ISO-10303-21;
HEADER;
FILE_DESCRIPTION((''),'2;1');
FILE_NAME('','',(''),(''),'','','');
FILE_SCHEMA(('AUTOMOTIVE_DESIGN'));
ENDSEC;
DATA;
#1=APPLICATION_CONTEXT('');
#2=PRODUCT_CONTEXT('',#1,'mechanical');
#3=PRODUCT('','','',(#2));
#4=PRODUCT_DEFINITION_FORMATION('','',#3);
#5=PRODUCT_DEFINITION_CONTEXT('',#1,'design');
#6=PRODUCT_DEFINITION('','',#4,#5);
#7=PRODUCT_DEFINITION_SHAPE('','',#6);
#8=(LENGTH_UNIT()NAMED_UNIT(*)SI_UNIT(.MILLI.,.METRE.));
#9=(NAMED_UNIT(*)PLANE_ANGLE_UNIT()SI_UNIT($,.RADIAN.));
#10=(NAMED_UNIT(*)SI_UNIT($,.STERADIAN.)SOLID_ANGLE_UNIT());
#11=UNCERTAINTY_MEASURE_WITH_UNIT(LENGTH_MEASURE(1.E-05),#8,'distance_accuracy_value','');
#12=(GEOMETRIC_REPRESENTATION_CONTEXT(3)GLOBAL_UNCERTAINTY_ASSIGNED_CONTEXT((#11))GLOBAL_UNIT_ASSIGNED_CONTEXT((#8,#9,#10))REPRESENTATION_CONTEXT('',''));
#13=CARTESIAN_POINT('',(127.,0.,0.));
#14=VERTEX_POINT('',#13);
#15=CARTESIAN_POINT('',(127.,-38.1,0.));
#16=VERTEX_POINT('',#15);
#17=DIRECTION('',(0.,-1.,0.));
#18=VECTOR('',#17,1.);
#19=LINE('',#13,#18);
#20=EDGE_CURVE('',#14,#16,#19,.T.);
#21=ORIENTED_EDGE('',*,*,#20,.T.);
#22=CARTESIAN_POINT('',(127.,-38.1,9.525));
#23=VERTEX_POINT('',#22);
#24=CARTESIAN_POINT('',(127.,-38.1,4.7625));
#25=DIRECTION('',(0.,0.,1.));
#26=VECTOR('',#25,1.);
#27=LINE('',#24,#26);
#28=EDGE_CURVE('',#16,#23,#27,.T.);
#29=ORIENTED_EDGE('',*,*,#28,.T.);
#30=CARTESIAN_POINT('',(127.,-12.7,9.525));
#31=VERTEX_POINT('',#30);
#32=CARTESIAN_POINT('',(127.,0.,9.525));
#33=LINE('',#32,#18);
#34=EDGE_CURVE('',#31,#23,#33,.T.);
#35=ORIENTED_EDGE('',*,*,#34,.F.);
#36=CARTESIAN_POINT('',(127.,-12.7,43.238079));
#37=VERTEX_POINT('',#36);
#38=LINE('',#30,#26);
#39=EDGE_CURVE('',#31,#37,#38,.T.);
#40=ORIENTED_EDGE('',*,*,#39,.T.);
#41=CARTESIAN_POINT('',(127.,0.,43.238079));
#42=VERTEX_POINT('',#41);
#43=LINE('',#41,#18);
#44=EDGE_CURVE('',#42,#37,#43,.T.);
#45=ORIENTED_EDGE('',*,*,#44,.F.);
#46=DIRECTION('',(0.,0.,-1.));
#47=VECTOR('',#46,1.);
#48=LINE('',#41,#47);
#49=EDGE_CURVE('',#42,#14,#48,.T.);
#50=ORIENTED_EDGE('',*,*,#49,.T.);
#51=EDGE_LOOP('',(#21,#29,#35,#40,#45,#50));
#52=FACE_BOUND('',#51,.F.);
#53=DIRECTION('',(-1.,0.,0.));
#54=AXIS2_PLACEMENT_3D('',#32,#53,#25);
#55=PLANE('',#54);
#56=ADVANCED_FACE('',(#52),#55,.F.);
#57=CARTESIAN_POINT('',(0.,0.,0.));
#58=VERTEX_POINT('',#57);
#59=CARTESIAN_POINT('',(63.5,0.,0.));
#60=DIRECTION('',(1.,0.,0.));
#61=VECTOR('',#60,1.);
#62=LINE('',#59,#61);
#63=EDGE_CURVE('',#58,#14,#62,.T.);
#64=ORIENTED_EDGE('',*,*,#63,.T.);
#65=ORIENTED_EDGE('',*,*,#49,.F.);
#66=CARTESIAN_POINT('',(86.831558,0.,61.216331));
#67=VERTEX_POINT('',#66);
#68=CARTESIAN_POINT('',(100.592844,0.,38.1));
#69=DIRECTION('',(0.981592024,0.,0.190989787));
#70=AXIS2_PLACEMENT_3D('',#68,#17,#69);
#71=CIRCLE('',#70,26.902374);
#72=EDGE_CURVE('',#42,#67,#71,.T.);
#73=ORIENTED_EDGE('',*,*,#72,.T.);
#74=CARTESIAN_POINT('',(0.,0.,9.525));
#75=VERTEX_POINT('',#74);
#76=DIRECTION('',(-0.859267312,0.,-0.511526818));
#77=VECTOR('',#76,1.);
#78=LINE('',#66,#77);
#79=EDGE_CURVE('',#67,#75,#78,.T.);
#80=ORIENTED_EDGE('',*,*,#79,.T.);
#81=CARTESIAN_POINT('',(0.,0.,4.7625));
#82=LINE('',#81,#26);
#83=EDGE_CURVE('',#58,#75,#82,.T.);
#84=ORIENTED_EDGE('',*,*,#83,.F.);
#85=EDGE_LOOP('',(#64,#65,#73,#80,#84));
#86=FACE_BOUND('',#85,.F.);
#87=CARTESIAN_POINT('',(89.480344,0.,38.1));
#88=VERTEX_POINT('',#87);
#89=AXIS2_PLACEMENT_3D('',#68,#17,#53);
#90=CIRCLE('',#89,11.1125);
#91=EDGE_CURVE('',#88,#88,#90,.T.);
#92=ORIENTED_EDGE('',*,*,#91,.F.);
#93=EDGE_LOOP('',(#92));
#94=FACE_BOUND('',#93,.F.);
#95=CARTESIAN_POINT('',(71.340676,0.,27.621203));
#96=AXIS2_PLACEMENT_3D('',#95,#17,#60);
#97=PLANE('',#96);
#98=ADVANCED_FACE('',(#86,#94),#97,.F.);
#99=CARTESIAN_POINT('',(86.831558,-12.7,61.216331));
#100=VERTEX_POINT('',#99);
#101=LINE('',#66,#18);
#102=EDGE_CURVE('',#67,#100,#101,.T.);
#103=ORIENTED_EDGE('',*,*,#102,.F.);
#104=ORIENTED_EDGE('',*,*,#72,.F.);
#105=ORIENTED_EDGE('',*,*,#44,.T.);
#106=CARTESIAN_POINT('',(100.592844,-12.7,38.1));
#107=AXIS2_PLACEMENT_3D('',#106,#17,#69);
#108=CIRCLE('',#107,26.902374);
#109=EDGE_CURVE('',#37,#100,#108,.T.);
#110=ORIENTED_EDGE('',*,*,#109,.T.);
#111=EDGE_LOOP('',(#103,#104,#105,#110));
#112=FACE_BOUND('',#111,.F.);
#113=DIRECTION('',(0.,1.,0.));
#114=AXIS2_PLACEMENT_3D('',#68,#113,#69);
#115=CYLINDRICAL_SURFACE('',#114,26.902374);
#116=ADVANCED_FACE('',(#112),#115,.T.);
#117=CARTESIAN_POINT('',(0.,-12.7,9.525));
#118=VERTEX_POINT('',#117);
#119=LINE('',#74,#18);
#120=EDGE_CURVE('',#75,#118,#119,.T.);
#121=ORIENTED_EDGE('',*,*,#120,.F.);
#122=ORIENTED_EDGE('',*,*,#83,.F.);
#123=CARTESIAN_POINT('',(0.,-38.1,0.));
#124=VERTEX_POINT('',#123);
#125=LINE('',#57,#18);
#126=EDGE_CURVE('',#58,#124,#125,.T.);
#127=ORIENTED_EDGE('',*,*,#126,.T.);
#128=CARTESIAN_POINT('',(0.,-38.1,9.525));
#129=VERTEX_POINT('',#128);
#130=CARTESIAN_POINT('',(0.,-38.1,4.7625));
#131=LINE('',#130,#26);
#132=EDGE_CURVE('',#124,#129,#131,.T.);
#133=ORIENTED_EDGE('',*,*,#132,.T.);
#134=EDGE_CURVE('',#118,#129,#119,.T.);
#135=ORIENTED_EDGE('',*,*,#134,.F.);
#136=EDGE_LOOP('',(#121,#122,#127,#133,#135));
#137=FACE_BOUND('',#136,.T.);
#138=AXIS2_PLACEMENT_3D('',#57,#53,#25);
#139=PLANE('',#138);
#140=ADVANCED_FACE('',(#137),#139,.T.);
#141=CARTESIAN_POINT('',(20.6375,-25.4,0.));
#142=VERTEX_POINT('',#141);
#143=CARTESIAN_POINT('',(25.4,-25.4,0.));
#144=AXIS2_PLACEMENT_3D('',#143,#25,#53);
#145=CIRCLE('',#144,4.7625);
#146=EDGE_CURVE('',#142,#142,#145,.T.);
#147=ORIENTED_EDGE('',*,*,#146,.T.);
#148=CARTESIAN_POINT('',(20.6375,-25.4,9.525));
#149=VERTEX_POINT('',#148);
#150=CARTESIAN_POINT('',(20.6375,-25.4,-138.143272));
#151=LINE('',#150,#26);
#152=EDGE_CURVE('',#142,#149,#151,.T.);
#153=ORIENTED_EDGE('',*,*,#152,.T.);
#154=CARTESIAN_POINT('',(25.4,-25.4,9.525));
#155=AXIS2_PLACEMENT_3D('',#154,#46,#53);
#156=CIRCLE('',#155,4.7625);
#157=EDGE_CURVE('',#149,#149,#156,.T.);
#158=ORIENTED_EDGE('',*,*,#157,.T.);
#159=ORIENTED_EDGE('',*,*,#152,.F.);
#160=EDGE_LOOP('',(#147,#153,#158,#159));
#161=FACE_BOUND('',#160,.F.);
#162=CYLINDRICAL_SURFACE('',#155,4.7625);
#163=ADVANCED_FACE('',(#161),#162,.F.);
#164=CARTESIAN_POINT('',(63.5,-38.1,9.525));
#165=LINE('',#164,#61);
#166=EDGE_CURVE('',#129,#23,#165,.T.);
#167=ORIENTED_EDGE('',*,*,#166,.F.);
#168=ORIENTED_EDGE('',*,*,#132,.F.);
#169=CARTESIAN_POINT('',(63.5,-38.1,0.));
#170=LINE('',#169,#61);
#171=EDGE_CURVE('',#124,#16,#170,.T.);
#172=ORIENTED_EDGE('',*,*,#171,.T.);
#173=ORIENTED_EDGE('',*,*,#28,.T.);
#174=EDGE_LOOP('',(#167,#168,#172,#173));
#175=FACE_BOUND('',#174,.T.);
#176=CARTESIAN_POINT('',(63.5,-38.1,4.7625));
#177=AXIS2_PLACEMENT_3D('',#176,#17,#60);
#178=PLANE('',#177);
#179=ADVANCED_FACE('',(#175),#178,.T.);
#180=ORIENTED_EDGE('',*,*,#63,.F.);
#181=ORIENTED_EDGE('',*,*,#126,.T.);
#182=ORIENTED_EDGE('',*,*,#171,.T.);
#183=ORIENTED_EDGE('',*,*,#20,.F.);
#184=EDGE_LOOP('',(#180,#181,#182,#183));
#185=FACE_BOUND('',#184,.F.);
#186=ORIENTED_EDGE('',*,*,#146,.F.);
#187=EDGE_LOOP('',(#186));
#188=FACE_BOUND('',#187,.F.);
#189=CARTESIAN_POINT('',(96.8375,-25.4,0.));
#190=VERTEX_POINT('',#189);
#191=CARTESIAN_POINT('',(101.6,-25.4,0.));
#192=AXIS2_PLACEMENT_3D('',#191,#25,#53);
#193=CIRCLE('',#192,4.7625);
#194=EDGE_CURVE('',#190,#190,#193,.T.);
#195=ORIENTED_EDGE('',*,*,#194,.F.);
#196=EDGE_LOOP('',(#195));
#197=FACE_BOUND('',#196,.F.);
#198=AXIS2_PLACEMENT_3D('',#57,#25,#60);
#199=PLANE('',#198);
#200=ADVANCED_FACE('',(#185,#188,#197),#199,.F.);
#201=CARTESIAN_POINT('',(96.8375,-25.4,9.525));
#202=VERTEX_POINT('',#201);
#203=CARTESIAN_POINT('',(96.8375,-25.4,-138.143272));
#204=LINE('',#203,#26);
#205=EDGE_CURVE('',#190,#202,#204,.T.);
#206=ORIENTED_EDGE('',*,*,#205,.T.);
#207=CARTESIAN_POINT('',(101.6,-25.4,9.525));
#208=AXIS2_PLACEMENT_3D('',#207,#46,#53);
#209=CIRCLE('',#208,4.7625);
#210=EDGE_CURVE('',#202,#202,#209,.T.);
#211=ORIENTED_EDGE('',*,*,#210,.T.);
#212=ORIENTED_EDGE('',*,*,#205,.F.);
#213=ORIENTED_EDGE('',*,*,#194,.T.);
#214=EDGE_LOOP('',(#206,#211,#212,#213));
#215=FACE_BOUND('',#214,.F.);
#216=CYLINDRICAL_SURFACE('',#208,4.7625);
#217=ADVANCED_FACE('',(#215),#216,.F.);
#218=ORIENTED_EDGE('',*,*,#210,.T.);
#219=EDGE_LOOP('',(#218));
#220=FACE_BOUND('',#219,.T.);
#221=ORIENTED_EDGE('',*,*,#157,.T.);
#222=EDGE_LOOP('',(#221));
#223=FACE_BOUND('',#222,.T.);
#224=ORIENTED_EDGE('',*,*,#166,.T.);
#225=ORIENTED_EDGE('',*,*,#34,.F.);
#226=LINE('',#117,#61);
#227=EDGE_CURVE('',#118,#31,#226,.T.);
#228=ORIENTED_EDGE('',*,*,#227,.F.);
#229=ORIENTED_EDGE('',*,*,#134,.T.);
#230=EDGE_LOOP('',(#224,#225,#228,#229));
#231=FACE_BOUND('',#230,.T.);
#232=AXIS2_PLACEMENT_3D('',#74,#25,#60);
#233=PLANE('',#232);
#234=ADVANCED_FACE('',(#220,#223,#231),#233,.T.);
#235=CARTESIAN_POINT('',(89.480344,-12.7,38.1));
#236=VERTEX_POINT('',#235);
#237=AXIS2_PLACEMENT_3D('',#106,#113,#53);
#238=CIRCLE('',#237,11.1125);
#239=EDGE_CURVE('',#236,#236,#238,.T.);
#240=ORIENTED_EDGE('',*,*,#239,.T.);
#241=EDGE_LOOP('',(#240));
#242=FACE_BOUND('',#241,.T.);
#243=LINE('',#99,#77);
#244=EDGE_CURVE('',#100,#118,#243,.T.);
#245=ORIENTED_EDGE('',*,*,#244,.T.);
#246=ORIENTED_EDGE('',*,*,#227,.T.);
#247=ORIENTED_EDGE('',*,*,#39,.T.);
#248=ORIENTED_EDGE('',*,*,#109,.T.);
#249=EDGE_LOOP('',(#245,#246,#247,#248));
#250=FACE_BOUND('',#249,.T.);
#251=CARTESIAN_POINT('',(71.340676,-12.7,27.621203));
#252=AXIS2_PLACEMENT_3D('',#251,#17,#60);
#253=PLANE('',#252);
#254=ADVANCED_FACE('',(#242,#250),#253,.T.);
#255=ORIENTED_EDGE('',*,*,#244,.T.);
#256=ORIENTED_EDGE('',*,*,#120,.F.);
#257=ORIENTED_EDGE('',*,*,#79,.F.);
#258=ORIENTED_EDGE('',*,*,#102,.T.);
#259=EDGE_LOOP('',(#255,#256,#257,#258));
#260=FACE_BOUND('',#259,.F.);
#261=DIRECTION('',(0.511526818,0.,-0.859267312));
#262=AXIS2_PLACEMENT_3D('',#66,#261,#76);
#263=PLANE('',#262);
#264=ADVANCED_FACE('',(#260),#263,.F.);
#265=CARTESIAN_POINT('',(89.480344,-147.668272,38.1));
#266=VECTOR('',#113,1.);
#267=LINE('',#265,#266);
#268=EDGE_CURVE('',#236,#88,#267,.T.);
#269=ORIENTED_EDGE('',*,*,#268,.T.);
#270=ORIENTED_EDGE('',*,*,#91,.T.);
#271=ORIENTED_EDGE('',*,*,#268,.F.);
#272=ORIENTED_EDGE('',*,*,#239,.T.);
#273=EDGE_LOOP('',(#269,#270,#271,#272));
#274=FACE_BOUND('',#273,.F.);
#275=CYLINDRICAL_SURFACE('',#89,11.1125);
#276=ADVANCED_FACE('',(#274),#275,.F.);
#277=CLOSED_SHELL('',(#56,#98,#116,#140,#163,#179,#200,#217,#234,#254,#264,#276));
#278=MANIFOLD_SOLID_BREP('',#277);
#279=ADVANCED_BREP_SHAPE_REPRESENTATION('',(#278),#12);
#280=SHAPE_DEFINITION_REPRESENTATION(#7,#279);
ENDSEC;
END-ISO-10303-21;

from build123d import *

# Parameters (mm, degrees)
F0_W           = 127
F0_H           = 9.525
F1_DEPTH       = 38.1
F2_DEPTH       = 12.7
F3_D           = 22.225
F3_CBORE_D     = 22.225
F3_CBORE_DEPTH = 22.225
F5_D           = 9.525
F5_CBORE_D     = 9.525
F5_CBORE_DEPTH = 9.525
F6_D           = 9.525
F6_CBORE_D     = 9.525
F6_CBORE_DEPTH = 9.525


with BuildPart() as f1:
    # F0 (on Front) → F1 (new body)
    with BuildSketch(Plane.XZ):
        with Locations((63.5, 4.7625)):
            Rectangle(F0_W, F0_H)
    extrude(amount=F1_DEPTH)

    # F0 (on Front) → F2 (join)
    with BuildSketch(Plane.XZ):
        with BuildLine():
            Line((86.8315583768, 61.2163306665), (0, 9.525))
            Line((0, 9.525), (127, 9.525))
            Line((127, 9.525), (127, 32.9619213127))
            Line((127, 32.9619213127), (127, 43.2380786873))
            ThreePointArc((127, 43.2380786873), (111.5830167561, 62.6551183584), (86.8315583768, 61.2163306665))
        make_face()
    extrude(amount=F2_DEPTH)

    # F3 (through all)
    with Locations(Plane(origin=(0, 0, 0), x_dir=(1, 0, 0), z_dir=(0, 1, 0))):
        with Locations((100.5928441882, -38.1)):
            CounterBoreHole(F3_D / 2, F3_CBORE_D / 2, F3_CBORE_DEPTH)

    # F5 (through all)
    with Locations(Plane.XY.offset(9.525)):
        with Locations((25.4, -25.4)):
            CounterBoreHole(F5_D / 2, F5_CBORE_D / 2, F5_CBORE_DEPTH)

    # F6 (through all)
    with Locations(Plane.XY.offset(9.525)):
        with Locations((101.6, -25.4)):
            CounterBoreHole(F6_D / 2, F6_CBORE_D / 2, F6_CBORE_DEPTH)


solid = f1.part
